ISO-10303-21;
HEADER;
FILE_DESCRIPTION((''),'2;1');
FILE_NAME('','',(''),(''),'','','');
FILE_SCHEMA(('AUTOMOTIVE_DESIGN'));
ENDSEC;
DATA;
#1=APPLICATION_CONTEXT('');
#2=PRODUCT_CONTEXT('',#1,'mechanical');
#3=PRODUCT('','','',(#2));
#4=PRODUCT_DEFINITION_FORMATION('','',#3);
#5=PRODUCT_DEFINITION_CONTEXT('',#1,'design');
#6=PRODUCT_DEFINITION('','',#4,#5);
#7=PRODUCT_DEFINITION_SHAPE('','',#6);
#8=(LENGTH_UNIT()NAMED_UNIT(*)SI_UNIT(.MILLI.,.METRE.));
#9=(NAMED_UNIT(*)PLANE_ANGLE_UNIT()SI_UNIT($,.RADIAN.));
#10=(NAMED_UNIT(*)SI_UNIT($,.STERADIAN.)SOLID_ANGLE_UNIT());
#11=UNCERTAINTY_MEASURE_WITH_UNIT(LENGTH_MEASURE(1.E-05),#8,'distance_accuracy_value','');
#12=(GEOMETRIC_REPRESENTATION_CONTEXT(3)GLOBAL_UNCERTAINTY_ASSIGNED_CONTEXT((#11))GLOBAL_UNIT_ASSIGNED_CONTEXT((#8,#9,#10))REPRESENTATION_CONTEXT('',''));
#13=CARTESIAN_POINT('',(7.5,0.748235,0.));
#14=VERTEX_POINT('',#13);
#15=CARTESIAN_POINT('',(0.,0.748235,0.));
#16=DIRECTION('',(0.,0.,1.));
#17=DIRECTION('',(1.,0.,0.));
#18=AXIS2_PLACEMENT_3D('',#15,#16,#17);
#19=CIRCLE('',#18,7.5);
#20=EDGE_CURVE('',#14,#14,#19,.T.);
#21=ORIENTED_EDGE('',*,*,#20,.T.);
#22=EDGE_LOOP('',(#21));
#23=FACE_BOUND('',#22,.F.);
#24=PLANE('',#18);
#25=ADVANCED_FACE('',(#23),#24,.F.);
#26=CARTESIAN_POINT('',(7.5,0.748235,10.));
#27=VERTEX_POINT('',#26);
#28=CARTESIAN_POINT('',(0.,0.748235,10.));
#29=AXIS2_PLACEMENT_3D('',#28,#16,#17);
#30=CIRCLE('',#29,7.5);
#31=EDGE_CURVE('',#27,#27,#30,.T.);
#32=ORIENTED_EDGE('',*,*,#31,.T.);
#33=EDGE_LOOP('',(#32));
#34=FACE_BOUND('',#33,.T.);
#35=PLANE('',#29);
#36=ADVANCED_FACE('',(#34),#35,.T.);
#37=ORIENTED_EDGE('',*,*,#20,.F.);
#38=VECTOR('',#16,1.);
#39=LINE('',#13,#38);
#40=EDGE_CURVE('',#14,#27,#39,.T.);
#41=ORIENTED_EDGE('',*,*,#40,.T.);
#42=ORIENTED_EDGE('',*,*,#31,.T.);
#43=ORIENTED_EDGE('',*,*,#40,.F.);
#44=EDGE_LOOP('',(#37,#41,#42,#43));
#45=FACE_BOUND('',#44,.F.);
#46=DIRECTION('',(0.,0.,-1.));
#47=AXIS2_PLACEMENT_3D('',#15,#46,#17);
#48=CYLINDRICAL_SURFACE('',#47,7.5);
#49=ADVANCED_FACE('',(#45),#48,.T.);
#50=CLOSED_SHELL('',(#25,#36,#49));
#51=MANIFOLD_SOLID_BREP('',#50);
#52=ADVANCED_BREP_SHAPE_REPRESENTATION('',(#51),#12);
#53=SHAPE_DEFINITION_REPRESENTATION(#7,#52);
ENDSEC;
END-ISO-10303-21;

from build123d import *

# Parameters (mm, degrees)
SKETCH1_R           = 7.5
BOSS_EXTRUDE1_DEPTH = 10


with BuildPart() as part:
    # Sketch1 → Boss-Extrude1 (new body)
    with BuildSketch(Plane.XY):
        with Locations((0, 0.748235414)):
            Circle(SKETCH1_R)
    extrude(amount=BOSS_EXTRUDE1_DEPTH)


solid = part.part
